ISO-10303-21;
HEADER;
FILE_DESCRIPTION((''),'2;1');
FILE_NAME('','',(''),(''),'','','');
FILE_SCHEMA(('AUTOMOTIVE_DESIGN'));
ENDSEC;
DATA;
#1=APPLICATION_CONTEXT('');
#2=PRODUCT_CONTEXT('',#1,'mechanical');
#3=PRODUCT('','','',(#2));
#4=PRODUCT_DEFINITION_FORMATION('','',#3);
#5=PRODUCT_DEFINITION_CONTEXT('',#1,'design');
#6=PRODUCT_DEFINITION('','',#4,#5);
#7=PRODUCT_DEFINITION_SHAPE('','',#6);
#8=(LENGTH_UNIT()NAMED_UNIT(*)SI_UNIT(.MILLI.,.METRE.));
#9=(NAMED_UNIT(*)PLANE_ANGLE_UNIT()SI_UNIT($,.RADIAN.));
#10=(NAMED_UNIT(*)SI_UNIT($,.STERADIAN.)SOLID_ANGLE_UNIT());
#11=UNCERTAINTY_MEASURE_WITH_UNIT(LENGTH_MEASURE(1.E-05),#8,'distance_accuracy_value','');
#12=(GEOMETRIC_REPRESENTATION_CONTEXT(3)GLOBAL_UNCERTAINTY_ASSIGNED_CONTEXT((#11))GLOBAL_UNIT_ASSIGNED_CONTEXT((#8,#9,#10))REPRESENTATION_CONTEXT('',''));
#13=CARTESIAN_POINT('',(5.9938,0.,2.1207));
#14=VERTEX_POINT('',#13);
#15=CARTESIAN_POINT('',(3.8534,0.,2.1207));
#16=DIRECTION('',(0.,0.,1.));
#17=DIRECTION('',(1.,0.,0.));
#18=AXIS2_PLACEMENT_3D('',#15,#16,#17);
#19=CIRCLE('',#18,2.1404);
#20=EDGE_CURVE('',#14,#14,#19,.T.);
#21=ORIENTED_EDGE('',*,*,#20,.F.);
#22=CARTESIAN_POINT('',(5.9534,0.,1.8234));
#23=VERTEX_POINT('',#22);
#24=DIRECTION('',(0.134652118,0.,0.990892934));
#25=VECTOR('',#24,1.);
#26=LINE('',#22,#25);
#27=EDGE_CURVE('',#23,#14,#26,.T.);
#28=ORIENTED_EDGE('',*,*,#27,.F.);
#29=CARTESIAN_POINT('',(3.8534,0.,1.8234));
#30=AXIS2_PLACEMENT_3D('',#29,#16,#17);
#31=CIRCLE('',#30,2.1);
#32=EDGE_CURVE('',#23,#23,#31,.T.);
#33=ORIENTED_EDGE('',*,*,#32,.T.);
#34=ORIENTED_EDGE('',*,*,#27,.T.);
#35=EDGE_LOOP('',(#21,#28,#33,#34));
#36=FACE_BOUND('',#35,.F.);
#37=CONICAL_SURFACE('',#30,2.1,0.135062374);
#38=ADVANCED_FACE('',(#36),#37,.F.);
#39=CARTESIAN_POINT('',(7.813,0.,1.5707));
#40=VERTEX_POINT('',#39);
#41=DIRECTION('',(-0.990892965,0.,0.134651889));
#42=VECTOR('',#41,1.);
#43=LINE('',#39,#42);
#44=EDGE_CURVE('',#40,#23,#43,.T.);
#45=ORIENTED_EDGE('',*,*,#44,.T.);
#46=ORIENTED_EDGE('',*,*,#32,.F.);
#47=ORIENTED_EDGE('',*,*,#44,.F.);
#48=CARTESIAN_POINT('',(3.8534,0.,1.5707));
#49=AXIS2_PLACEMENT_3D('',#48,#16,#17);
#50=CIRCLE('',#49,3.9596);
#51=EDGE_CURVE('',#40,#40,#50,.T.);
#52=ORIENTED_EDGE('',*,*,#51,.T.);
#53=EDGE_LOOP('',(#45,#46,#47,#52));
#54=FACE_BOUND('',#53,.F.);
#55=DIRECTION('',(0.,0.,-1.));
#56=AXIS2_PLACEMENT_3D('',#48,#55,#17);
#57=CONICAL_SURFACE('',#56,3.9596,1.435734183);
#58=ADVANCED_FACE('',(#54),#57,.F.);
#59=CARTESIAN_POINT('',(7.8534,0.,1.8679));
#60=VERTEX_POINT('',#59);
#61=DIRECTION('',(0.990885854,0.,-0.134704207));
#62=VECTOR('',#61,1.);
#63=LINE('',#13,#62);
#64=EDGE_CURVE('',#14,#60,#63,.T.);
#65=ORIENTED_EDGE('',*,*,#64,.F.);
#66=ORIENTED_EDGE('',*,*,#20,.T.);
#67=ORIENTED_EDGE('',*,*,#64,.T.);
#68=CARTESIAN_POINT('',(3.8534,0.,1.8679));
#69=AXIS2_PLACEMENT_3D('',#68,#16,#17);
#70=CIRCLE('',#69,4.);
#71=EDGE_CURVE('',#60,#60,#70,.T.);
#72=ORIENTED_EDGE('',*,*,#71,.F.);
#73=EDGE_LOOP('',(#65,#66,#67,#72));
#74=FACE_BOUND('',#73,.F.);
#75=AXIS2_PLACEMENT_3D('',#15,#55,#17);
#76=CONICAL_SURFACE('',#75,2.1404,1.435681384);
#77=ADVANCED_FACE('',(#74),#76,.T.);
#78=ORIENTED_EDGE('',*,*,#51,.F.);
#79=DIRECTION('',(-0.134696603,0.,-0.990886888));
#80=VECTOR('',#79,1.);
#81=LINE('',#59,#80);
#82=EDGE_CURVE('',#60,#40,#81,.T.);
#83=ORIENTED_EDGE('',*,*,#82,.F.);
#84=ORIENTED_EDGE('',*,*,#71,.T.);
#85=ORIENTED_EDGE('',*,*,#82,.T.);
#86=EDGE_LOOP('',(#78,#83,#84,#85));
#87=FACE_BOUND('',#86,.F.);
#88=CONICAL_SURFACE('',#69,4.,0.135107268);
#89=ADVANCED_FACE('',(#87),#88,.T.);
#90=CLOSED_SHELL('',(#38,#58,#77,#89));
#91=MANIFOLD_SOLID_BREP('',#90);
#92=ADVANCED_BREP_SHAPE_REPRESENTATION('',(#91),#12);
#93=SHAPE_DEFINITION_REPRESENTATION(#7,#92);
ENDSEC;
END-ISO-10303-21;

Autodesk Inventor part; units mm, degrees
ref_plane "YZ Plane" through (0, 0, 0) normal (1, 0, 0) x (0, 1, 0)
ref_plane "XZ Plane" through (0, 0, 0) normal (0, 1, 0) x (-1, 0, 0)
ref_plane "XY Plane" through (0, 0, 0) normal (0, 0, 1) x (1, 0, 0)
sketch "Sketch1" plane through (0, 0, 0) normal (0, 1, 0) x (-1, 0, 0)
  line L0 (-7.813, 1.5707) -> (-5.9534, 1.8234)
  line L1 (-5.9534, 1.8234) -> (-5.9938, 2.1207)
  line L2 (-5.9938, 2.1207) -> (-7.8534, 1.8679)
  line L3 (-7.8534, 1.8679) -> (-7.813, 1.5707)
  line L4 (-3.8534, 0) -> (-3.8534, 5.7761)
  point P0 (0, 0)
  dimension "d2" = 0.3
  dimension "d3" = 0.55
  dimension "d4" = 4
  dimension "d5" = 2.1
revolve "Revolution1" add sketch "Sketch1" angle 360 about axis through (3.8534, 0, 0) along (0, 0, 1)
properties part number "Partspring" material "Silver"
